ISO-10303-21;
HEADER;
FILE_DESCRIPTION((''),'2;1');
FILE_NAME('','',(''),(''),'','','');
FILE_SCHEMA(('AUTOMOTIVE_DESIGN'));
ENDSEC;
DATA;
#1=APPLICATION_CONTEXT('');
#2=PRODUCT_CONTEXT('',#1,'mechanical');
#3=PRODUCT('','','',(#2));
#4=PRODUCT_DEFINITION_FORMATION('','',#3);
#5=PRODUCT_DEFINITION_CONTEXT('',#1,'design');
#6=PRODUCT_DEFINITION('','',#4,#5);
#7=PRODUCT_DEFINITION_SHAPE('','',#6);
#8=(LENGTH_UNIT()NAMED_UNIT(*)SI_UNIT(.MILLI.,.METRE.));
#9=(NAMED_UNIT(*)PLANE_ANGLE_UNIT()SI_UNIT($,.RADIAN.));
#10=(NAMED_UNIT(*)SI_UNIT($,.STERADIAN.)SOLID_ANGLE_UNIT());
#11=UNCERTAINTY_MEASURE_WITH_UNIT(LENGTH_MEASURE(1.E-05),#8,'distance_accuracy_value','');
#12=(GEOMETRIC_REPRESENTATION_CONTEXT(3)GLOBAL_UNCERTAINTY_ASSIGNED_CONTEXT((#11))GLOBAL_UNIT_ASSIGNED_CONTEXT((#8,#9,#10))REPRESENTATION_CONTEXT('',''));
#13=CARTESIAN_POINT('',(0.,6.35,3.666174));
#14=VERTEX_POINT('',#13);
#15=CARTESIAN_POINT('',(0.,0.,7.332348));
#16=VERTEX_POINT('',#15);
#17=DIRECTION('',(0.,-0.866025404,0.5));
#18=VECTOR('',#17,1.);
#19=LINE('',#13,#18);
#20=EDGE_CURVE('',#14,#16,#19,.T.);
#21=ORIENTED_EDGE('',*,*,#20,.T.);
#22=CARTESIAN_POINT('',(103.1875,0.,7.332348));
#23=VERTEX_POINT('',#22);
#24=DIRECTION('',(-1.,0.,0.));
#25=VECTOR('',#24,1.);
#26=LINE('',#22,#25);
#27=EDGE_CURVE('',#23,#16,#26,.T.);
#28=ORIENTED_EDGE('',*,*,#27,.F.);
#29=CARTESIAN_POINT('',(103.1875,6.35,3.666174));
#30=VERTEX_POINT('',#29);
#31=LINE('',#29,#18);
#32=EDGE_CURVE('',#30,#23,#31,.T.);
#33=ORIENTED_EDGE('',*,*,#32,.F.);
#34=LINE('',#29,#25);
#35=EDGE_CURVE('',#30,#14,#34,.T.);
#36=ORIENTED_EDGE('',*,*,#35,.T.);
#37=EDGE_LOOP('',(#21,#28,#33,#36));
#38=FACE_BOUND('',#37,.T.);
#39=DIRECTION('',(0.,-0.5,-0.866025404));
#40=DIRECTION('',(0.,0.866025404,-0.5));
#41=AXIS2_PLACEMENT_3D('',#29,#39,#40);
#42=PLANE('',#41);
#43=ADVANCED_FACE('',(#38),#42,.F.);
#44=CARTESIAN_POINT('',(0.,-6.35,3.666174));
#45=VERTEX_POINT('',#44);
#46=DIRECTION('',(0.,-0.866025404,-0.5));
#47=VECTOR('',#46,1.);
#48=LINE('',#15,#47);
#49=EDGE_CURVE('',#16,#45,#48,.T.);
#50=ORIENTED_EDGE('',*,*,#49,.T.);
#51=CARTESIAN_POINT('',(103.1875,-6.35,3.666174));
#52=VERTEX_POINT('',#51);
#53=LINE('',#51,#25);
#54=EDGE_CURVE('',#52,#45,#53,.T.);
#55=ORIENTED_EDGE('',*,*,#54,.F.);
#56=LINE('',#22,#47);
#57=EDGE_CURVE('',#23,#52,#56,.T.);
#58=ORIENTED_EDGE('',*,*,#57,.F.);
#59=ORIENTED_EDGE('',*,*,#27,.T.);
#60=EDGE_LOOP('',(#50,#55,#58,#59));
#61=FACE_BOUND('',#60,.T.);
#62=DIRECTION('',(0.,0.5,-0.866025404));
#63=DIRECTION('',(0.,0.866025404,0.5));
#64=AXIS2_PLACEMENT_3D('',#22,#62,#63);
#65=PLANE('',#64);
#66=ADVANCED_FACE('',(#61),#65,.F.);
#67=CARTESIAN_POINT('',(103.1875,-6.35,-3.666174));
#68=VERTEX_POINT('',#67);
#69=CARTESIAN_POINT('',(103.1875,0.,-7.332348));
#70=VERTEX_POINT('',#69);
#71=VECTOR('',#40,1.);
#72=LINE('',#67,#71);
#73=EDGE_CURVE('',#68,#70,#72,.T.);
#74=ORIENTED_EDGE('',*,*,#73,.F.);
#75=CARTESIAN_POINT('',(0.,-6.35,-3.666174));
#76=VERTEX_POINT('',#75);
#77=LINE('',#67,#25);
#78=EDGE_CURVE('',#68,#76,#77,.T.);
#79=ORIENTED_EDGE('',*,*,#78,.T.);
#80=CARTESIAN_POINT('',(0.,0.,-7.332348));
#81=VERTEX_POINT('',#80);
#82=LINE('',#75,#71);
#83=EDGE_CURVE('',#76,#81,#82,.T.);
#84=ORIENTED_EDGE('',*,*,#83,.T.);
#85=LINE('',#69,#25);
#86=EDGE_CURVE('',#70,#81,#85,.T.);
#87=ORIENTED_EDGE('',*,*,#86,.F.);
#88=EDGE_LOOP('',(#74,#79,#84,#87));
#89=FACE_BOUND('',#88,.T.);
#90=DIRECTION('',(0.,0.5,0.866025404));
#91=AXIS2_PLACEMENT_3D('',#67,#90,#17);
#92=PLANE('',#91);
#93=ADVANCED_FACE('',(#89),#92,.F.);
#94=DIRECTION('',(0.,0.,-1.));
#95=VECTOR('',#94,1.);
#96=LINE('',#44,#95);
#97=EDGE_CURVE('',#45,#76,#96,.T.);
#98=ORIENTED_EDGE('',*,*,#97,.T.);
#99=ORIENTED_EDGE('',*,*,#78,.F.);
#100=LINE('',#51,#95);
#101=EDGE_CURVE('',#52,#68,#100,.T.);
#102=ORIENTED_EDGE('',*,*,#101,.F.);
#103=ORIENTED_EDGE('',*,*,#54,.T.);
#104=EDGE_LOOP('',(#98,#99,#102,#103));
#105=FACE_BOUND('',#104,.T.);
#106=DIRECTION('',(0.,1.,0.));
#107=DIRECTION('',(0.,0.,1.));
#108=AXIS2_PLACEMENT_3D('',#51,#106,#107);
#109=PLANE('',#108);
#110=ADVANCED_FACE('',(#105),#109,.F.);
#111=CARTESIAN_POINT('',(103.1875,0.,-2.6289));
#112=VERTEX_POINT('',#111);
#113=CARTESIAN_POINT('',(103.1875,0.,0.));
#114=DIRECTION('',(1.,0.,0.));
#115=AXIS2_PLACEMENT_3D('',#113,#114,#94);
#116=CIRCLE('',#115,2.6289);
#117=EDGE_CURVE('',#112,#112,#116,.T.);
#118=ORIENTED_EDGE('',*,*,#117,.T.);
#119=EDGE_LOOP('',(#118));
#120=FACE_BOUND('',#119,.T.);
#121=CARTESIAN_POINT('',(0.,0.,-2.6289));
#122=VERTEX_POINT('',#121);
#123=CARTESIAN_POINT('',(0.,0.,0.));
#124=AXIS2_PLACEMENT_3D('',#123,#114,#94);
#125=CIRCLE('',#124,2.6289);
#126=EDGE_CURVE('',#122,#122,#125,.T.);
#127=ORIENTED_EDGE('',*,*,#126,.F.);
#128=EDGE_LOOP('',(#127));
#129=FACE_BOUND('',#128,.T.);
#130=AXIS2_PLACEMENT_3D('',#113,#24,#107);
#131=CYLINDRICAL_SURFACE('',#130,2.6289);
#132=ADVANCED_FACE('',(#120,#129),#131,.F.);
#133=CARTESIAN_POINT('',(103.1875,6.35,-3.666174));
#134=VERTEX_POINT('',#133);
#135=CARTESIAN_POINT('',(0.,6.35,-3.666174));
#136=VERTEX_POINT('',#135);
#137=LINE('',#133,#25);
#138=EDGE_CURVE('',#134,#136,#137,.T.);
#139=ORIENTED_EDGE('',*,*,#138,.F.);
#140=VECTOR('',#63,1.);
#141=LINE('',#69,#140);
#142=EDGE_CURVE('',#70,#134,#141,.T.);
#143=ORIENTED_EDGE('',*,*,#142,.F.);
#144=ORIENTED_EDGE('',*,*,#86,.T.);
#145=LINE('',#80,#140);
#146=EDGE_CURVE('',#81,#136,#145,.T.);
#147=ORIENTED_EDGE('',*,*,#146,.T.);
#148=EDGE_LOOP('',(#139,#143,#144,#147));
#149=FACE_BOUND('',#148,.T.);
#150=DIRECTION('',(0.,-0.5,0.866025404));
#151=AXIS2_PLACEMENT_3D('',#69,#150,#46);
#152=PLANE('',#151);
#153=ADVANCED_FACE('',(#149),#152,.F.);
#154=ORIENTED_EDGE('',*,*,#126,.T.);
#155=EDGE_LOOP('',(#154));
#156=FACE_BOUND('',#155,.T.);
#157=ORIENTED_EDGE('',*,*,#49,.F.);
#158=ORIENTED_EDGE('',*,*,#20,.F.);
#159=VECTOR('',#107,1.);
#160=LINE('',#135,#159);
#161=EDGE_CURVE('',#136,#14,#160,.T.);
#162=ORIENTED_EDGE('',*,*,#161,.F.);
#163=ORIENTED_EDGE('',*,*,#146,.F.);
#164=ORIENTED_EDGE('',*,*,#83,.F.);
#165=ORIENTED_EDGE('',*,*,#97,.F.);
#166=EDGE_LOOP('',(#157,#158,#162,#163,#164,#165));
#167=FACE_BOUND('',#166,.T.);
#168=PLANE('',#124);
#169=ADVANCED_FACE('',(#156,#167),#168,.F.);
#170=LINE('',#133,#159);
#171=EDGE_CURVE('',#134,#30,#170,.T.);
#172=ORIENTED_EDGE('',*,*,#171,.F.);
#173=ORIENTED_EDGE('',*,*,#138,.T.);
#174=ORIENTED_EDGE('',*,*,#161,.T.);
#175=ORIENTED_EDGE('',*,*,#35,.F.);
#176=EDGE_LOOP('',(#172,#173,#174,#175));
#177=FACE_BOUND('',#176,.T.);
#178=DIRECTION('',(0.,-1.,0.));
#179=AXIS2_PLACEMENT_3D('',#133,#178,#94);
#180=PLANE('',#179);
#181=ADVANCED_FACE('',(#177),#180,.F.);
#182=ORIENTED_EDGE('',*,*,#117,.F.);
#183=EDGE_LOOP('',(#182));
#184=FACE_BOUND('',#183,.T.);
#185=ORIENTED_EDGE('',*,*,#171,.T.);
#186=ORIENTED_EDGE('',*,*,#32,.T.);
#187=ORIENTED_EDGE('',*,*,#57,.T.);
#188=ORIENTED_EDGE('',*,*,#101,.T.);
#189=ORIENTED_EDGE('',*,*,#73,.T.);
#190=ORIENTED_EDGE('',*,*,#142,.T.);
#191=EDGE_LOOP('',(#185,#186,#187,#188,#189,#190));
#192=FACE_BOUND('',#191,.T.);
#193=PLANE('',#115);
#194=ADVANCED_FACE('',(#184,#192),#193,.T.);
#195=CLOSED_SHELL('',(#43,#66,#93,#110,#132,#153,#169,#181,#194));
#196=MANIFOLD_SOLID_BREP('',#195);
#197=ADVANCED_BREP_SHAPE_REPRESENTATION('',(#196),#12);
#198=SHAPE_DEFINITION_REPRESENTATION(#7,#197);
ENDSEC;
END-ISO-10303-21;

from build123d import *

# Parameters (mm, degrees)
SKETCH1_R           = 2.6289
BOSS_EXTRUDE1_DEPTH = 103.1875


with BuildPart() as part:
    # Sketch1 → Boss-Extrude1 (new body)
    with BuildSketch(Plane(origin=(0, 0, 0), x_dir=(0, 0, -1), z_dir=(1, 0, 0))):
        Polygon((3.666174209, 6.35), (-3.666174209, 6.35), (-7.332348419, 0), (-3.666174209, -6.35), (3.666174209, -6.35), (7.332348419, 0), align=None)
        Circle(SKETCH1_R, mode=Mode.SUBTRACT)
    extrude(amount=BOSS_EXTRUDE1_DEPTH)


solid = part.part
